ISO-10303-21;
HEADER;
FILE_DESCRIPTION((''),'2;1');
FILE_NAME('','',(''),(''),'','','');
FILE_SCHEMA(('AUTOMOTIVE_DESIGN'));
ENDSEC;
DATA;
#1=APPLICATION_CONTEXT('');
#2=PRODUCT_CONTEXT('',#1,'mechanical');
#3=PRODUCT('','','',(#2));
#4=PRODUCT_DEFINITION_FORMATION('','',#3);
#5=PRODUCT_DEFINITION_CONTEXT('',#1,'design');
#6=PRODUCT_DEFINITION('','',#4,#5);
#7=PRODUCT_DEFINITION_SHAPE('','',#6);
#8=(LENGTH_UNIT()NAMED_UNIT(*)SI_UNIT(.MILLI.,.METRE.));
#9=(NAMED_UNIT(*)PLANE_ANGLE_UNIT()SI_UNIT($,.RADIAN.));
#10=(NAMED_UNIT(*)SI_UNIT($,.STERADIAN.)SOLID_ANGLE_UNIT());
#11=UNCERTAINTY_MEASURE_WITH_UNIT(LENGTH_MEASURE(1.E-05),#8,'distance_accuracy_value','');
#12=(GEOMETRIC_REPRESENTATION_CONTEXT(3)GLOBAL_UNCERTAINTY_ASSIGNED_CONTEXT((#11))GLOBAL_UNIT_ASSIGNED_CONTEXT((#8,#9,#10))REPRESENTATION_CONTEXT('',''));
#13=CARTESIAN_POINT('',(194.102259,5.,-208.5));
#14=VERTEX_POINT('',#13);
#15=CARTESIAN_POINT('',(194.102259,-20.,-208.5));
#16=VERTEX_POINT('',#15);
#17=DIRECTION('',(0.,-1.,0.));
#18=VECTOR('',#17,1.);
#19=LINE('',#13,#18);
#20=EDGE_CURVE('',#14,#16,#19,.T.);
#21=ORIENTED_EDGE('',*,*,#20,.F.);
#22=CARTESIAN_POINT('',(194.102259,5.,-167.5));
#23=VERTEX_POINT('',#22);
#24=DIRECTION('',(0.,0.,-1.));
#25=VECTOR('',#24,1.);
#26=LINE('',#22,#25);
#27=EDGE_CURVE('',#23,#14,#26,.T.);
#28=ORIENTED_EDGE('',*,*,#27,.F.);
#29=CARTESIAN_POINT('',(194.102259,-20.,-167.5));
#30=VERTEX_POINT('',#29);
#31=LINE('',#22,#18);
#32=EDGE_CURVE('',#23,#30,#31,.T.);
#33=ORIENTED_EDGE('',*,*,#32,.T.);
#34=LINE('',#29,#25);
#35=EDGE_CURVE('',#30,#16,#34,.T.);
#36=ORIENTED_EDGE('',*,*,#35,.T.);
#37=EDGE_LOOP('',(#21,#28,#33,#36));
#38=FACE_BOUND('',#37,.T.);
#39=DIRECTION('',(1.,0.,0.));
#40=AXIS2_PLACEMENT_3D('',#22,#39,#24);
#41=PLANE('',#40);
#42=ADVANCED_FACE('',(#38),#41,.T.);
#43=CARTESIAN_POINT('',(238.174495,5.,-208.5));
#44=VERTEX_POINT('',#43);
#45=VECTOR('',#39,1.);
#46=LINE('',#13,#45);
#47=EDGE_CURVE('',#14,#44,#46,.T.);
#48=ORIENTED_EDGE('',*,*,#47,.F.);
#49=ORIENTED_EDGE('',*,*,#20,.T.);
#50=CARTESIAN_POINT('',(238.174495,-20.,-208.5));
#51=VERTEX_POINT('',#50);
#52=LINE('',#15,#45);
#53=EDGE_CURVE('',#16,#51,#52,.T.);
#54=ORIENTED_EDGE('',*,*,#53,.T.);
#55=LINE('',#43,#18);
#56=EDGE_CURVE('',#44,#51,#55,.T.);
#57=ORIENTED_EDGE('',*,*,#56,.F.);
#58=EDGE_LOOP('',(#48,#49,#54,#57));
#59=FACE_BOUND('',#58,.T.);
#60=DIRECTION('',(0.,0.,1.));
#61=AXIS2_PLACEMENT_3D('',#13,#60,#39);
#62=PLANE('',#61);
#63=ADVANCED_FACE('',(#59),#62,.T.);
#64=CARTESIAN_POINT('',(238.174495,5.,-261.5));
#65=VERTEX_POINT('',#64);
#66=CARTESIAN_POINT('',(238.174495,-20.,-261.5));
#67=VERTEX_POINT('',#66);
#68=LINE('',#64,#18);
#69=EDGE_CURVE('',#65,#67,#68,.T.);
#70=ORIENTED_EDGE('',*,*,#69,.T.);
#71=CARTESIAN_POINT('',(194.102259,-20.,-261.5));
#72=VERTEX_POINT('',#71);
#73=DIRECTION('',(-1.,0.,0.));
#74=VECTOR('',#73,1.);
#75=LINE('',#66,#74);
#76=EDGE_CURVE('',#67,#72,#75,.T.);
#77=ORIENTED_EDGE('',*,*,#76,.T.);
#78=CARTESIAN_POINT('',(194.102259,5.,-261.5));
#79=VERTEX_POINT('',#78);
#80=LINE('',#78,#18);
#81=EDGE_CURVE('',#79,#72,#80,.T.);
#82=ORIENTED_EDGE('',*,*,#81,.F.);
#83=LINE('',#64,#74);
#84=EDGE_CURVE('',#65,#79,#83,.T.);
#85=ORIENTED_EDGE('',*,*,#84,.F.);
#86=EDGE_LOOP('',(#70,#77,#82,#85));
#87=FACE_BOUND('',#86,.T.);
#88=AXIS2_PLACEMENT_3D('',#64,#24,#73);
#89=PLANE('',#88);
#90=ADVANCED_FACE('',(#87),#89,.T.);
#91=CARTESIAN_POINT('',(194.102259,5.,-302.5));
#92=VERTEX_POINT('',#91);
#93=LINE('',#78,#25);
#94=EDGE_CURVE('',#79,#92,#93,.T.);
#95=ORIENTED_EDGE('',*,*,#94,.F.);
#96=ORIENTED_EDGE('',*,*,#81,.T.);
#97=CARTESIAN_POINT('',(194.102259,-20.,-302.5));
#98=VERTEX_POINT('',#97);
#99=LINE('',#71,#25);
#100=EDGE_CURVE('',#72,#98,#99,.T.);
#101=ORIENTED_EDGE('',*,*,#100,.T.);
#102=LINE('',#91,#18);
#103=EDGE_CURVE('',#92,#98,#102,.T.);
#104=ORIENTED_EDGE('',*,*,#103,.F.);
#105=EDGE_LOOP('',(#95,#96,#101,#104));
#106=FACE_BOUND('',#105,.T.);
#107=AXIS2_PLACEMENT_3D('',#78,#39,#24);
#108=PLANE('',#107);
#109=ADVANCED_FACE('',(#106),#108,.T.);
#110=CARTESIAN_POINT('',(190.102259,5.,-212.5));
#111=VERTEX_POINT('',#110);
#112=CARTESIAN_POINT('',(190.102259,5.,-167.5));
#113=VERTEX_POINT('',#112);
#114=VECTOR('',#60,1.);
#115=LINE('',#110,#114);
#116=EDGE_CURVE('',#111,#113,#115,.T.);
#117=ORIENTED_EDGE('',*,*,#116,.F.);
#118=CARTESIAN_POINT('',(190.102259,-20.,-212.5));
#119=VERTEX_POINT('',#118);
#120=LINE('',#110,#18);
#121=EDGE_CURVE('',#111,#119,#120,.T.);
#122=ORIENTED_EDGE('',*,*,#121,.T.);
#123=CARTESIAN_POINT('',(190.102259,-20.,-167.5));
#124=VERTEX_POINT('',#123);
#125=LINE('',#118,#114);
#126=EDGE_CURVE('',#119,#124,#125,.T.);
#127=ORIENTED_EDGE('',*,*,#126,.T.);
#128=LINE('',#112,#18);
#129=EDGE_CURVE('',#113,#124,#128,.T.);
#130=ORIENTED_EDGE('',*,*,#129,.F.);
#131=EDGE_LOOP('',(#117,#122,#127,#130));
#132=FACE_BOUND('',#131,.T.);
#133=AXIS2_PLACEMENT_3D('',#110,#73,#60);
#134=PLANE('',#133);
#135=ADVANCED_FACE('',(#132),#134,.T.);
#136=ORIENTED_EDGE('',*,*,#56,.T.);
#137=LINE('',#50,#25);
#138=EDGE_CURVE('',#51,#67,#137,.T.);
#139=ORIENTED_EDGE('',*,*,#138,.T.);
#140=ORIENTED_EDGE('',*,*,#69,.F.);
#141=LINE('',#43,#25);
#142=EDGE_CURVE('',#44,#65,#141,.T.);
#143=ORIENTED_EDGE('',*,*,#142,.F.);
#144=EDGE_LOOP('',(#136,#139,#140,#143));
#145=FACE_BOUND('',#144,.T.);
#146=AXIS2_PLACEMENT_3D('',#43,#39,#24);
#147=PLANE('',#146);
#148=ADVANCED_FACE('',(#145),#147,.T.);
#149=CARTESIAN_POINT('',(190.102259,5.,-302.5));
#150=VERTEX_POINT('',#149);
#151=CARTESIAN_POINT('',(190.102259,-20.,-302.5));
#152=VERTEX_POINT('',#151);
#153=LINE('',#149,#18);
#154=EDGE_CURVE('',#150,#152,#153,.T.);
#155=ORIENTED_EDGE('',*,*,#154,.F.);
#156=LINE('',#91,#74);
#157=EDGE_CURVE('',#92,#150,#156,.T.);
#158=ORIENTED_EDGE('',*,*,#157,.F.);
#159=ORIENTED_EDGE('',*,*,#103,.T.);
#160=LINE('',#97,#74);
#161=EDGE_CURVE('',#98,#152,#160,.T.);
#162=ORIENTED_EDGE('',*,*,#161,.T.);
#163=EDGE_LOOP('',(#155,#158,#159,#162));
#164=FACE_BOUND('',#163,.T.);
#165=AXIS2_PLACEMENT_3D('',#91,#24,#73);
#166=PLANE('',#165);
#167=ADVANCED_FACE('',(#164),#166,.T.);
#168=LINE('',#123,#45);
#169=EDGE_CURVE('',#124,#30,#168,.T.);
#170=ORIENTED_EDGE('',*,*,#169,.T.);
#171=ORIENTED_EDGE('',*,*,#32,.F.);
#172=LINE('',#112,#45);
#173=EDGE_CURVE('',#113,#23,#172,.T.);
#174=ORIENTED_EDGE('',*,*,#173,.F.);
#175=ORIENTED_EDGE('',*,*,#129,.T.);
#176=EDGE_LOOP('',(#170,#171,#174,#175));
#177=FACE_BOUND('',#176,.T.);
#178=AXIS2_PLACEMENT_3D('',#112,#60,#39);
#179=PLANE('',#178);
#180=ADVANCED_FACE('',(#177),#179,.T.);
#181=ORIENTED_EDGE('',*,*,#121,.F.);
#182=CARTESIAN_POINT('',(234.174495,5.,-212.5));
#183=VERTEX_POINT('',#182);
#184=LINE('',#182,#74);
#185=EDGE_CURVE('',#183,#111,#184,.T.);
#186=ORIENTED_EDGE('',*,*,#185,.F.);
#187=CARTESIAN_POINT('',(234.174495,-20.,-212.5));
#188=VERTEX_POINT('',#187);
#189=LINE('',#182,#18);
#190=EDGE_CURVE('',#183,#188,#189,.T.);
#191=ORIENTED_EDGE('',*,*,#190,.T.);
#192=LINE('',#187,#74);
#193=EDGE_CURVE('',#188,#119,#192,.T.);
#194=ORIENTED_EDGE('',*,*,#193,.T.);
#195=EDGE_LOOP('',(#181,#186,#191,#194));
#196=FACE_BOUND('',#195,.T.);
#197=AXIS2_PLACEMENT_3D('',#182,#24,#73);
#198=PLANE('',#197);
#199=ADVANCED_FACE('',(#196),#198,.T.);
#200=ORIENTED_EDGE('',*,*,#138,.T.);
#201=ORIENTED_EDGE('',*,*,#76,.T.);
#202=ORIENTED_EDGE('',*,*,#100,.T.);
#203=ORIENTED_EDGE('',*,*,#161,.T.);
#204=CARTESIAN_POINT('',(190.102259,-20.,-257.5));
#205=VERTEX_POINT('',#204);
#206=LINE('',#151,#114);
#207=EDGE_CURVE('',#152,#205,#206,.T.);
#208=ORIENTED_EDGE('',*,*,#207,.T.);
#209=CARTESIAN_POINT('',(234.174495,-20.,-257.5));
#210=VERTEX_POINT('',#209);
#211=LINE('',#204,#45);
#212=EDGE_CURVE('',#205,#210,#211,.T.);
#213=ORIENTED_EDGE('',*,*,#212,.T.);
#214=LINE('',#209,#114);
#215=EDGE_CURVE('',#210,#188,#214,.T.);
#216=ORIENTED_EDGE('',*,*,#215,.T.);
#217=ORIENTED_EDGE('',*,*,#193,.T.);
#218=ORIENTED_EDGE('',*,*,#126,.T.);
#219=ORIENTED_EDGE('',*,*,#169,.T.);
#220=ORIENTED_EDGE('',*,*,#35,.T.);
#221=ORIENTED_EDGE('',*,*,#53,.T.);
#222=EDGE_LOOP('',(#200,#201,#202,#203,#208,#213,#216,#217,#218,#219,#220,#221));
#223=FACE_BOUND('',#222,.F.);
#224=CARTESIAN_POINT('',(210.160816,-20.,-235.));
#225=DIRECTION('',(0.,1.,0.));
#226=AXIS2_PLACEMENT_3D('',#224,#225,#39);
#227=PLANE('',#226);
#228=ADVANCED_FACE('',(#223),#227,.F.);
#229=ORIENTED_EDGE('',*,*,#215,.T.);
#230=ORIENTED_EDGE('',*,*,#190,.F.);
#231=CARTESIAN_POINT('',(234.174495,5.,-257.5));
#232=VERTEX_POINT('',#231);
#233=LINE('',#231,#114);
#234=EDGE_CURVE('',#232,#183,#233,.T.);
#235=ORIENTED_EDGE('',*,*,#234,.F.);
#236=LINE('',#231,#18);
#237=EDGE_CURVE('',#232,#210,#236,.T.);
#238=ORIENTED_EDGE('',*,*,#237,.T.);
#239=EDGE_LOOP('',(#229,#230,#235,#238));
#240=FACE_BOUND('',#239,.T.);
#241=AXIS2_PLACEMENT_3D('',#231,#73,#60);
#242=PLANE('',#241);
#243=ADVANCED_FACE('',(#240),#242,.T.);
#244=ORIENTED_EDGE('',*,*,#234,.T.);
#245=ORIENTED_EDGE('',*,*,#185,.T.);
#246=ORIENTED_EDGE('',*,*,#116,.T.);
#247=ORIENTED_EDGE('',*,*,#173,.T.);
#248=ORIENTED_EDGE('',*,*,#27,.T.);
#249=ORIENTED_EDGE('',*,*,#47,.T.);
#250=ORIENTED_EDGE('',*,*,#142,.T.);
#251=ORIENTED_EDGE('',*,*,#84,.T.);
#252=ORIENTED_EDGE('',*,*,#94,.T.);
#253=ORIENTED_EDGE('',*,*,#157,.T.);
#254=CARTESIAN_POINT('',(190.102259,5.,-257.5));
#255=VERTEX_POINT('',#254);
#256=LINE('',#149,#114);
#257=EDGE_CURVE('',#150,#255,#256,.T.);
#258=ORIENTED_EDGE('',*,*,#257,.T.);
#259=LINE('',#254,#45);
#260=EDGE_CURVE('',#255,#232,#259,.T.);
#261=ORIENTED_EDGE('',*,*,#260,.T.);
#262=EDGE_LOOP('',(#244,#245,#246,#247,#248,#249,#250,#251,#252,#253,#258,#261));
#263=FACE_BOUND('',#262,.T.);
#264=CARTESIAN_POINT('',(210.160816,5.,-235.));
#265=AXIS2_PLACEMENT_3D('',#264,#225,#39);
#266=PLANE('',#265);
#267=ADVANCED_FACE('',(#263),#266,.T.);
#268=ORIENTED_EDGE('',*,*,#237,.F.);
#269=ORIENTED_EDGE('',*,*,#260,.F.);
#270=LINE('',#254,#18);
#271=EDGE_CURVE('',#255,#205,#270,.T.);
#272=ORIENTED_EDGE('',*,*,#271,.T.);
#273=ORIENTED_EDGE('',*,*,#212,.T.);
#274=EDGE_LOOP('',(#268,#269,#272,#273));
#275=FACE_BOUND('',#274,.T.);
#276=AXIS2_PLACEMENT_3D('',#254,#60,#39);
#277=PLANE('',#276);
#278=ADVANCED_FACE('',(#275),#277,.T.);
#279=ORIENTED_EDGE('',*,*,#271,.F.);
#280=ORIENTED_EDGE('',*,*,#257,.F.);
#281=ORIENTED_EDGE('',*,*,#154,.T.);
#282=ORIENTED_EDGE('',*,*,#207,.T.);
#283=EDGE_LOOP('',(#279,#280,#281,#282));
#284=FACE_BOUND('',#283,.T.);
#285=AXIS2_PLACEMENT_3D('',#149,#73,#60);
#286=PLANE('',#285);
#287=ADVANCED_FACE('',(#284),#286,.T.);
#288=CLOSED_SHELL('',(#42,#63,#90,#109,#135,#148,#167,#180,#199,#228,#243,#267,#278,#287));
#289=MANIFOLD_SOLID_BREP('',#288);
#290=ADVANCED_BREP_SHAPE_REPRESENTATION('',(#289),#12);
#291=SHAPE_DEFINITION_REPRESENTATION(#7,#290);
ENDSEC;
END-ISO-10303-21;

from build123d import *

# Parameters (mm, degrees)
BOSS_EXTRUDE1_DEPTH = 25


with BuildPart() as part:
    # Sketch1 → Boss-Extrude1 (new body)
    with BuildSketch(Plane(origin=(0, 5, 0), x_dir=(1, 0, 0), z_dir=(0, 1, 0))):
        Polygon((194.102258895, 302.5), (190.102258895, 302.5), (190.102258895, 257.5), (234.174494692, 257.5), (234.174494692, 212.5), (190.102258895, 212.5), (190.102258895, 167.5), (194.102258895, 167.5), (194.102258895, 208.5), (238.174494692, 208.5), (238.174494692, 261.5), (194.102258895, 261.5), align=None)
    extrude(amount=-BOSS_EXTRUDE1_DEPTH)


solid = part.part
